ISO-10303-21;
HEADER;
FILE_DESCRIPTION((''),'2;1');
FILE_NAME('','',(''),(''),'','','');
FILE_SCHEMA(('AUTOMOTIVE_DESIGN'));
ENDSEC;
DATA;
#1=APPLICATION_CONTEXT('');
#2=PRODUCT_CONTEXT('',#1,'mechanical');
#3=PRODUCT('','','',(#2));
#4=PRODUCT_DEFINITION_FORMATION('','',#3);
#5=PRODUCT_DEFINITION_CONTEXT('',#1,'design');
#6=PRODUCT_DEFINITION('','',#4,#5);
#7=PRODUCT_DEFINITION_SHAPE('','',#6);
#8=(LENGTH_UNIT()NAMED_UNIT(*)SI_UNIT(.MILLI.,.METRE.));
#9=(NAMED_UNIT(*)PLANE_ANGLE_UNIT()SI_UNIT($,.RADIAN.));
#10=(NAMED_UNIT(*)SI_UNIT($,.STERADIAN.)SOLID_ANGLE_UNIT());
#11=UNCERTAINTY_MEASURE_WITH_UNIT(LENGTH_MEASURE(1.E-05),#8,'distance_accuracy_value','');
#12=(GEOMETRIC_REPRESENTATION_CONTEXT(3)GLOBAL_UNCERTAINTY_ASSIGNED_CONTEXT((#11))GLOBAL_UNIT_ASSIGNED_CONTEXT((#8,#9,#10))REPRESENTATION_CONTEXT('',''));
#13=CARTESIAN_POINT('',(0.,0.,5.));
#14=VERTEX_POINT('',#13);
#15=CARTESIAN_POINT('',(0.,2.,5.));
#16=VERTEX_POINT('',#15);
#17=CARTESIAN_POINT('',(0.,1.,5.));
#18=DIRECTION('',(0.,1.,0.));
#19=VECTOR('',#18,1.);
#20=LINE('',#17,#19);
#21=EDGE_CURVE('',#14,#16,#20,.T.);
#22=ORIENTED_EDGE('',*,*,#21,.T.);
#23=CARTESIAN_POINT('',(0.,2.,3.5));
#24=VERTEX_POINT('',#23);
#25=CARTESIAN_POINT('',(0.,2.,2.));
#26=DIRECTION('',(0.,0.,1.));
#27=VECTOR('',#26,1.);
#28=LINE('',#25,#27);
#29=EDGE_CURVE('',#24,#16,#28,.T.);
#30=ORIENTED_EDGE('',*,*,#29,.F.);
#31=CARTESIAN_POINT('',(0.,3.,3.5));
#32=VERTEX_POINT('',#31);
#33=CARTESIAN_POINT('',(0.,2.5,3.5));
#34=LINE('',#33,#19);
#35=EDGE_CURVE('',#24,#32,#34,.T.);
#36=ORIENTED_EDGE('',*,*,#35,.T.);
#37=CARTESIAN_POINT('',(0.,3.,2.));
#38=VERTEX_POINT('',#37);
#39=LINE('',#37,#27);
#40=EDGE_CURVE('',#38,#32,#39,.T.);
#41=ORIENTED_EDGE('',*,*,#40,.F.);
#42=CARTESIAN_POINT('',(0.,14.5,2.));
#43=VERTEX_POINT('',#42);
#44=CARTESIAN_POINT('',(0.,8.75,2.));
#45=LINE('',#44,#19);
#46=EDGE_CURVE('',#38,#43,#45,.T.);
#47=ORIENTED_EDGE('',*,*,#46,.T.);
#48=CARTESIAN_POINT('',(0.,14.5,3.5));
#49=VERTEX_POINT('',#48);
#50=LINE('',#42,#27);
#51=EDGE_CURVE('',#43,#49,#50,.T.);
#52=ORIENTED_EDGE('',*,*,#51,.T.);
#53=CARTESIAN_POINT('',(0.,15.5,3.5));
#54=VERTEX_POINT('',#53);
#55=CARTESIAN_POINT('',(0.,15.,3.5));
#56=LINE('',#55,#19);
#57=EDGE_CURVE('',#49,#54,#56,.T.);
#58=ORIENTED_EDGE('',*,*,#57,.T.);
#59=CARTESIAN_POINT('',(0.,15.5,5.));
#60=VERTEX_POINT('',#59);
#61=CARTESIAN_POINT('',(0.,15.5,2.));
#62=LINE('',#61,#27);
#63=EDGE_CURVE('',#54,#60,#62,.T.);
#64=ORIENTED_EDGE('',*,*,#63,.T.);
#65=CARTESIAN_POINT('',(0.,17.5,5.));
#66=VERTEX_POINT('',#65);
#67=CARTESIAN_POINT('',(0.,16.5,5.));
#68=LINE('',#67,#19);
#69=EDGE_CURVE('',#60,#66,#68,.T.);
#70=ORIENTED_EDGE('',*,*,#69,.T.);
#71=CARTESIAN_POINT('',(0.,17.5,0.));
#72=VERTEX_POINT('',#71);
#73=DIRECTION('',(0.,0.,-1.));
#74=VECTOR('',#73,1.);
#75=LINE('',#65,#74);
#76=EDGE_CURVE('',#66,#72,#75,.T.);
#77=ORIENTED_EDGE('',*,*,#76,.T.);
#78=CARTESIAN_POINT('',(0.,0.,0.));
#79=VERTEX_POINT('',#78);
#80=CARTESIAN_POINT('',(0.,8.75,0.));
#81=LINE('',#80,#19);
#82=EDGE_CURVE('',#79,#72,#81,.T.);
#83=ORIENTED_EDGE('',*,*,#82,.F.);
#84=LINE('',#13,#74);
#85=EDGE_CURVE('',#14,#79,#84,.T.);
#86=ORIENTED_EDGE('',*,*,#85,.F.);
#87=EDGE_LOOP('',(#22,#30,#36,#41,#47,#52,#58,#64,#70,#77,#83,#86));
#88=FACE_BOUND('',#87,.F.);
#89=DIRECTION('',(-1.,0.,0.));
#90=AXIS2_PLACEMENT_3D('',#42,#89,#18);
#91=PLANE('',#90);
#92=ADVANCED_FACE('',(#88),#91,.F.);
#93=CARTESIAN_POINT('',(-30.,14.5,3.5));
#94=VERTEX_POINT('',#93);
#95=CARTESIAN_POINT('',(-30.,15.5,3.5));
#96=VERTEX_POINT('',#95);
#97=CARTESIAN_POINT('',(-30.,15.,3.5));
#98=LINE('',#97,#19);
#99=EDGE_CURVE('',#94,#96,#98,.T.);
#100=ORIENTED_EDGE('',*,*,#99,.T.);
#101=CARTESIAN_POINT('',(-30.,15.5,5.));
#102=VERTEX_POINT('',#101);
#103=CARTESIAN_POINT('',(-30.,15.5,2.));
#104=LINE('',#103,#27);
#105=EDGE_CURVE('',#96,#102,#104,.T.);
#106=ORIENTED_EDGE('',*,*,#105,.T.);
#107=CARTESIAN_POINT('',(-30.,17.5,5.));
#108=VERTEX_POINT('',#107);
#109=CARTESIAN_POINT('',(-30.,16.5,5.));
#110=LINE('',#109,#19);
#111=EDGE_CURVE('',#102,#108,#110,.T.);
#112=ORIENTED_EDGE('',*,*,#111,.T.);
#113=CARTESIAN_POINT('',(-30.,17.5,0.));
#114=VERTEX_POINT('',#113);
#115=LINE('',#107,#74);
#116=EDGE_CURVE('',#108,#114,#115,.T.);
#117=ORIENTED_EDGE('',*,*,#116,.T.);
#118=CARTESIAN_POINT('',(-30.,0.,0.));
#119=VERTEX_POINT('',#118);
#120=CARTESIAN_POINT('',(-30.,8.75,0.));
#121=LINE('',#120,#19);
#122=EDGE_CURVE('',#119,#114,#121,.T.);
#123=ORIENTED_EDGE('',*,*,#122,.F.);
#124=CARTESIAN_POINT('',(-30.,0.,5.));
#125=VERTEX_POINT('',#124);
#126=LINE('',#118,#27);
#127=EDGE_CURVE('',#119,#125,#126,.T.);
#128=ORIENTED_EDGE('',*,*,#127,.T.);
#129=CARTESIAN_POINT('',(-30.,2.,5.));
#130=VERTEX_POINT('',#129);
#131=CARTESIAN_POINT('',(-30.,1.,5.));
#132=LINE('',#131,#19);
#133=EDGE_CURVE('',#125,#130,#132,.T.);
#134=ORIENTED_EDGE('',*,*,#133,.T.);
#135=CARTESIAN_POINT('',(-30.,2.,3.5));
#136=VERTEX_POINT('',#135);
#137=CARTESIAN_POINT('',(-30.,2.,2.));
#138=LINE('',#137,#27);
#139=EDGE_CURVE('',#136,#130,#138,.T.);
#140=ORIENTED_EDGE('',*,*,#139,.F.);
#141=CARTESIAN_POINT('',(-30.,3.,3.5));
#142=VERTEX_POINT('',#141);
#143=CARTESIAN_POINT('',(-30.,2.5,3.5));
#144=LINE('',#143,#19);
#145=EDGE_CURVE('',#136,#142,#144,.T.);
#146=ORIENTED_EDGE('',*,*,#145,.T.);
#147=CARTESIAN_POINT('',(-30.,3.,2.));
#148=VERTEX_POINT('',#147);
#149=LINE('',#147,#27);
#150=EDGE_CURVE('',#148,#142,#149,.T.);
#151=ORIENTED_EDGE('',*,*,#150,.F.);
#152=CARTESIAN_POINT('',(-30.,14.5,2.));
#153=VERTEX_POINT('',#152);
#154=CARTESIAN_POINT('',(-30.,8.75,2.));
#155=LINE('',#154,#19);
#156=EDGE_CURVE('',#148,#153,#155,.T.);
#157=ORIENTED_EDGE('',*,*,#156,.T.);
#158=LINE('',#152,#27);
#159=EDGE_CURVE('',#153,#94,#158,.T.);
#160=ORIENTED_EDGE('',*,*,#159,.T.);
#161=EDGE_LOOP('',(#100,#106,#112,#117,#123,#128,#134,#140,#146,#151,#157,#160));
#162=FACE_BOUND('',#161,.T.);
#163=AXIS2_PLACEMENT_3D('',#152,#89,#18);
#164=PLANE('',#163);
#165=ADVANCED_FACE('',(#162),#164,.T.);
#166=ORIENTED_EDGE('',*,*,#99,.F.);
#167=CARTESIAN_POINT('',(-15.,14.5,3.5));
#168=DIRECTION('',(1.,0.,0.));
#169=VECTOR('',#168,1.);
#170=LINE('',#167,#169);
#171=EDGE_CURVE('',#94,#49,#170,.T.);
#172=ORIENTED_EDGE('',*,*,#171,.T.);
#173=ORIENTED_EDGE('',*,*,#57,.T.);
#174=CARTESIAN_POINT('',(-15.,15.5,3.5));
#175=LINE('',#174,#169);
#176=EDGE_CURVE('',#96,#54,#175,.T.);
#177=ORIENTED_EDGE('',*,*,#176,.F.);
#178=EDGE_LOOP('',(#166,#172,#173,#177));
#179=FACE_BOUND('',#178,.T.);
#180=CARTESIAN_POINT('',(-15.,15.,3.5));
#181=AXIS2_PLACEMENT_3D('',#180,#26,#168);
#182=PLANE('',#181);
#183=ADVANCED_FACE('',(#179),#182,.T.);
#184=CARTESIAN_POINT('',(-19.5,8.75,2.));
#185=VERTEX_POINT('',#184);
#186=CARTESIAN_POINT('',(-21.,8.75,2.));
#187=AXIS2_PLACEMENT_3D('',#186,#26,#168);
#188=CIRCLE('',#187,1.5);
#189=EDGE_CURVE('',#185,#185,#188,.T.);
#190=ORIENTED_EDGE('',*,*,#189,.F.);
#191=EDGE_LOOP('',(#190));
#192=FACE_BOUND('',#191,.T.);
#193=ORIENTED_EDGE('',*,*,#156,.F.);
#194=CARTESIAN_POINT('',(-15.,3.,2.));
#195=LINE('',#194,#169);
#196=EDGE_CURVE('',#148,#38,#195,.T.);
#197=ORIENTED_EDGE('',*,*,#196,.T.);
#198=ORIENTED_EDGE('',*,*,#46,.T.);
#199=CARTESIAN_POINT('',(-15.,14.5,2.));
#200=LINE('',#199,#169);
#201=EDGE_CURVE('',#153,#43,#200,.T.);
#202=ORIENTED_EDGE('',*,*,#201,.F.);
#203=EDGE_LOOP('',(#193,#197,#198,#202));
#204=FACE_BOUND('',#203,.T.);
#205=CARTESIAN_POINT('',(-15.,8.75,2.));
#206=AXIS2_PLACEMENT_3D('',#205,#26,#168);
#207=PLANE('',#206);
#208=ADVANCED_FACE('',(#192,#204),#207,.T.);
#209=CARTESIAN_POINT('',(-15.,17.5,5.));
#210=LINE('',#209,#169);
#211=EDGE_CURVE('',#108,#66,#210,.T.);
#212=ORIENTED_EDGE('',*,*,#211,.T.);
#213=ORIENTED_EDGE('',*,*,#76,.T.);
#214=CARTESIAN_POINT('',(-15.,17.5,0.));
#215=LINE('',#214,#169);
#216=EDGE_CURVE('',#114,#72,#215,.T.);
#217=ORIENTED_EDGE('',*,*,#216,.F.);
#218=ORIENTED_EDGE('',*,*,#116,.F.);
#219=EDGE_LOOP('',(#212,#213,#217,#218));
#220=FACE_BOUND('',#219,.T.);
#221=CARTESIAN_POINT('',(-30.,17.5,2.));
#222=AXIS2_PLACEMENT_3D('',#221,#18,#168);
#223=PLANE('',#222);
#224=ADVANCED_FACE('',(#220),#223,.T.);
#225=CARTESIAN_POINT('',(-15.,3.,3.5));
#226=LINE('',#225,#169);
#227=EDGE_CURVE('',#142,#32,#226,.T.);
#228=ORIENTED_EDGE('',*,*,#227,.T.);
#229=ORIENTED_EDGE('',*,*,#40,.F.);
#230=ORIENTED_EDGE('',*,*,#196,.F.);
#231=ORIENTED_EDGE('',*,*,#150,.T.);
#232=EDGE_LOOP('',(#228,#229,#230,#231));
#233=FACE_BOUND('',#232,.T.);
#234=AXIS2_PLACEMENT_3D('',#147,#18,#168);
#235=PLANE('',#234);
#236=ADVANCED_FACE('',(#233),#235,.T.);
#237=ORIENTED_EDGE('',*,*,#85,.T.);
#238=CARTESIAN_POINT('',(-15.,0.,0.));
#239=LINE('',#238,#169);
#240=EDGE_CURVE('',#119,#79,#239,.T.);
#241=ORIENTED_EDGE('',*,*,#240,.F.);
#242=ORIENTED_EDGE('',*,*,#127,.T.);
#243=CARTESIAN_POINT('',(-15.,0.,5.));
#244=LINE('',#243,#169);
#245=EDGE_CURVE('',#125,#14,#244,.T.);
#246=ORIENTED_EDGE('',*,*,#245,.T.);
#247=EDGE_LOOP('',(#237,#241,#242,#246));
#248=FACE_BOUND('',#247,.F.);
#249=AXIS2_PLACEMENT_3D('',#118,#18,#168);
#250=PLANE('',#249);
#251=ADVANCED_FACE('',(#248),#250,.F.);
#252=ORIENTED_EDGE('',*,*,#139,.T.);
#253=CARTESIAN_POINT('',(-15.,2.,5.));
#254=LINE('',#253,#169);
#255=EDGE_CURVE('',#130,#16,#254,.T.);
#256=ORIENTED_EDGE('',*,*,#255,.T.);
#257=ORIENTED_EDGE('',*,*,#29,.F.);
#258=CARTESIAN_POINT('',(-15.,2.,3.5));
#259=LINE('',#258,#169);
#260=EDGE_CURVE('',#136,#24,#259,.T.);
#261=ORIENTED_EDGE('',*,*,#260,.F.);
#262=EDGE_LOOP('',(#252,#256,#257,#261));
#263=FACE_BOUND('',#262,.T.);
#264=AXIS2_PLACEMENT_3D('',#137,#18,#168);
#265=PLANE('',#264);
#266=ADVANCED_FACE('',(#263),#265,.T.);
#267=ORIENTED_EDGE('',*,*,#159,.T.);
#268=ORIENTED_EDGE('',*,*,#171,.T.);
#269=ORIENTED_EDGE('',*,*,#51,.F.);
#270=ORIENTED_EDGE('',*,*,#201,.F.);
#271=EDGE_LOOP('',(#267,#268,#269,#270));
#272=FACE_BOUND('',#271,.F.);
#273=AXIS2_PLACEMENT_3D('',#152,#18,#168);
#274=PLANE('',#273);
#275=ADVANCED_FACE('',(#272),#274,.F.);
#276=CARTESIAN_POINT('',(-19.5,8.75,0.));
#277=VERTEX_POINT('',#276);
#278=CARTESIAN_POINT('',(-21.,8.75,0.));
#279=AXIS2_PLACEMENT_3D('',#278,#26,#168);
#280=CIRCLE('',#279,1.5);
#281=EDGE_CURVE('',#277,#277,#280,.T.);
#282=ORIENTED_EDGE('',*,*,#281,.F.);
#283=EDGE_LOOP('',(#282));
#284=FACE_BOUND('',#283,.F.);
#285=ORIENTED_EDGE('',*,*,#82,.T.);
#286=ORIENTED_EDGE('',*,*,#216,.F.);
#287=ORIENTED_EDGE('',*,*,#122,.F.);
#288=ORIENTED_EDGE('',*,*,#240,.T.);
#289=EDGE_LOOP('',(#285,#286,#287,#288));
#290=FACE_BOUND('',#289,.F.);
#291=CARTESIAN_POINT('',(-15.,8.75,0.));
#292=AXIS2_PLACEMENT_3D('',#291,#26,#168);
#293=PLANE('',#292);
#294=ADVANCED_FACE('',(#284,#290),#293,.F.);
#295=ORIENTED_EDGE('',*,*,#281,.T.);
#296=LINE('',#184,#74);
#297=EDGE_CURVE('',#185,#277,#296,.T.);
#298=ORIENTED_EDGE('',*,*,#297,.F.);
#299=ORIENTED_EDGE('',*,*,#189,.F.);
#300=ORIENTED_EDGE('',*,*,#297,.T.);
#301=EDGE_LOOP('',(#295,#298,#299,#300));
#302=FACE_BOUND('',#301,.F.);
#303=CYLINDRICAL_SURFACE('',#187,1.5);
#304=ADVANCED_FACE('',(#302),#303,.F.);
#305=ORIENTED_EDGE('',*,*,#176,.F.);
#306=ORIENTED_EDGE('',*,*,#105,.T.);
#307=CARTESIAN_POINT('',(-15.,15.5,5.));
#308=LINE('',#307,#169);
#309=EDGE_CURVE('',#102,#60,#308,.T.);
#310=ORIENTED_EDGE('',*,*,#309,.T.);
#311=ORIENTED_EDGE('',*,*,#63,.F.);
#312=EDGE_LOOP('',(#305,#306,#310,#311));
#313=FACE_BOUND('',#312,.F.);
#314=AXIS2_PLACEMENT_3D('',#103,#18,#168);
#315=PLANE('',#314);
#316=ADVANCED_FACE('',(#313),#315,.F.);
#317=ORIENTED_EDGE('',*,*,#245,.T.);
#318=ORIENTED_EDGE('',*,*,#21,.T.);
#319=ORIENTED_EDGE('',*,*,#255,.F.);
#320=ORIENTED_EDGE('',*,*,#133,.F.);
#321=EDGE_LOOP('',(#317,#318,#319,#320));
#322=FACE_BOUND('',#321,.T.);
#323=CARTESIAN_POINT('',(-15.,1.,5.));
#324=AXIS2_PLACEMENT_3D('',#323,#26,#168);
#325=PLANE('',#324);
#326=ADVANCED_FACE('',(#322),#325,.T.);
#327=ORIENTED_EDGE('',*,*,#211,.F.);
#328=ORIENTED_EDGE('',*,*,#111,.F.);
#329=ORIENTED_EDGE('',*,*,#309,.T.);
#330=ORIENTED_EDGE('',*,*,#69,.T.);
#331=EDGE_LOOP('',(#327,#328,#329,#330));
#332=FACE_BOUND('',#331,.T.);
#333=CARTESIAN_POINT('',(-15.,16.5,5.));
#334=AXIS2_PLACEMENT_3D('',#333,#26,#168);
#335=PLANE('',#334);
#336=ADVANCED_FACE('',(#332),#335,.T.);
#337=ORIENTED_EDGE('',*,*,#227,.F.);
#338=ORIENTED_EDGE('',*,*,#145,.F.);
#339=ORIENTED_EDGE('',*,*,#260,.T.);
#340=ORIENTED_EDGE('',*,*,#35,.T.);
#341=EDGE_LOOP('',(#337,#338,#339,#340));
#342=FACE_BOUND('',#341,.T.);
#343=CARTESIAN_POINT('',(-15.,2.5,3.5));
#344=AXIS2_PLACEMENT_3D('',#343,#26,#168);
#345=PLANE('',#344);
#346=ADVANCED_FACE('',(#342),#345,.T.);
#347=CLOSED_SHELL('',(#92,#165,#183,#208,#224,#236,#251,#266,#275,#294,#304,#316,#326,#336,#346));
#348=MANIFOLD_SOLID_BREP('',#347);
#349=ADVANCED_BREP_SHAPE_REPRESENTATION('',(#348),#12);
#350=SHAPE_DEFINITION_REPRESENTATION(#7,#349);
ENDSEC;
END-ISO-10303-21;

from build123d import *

# Parameters (mm, degrees)
F0_W     = 30
F0_H     = 17.5
F1_DEPTH = 2
F2_R     = 1.5
F3_DEPTH = 25
F4_W     = 30
F4_H     = 2
F5_DEPTH = 3
F6_W     = 30
F6_H     = 1
F7_DEPTH = 1.5


with BuildPart() as f1:
    # F0 (on Top) → F1 (new body)
    with BuildSketch(Plane.XY):
        with Locations((-15, 8.75)):
            Rectangle(F0_W, F0_H)
    extrude(amount=F1_DEPTH)

    # F2 (on face) → F3 (cut)
    with BuildSketch(Plane.XY.offset(2)):
        with Locations((-21, 8.75)):
            Circle(F2_R)
    extrude(amount=-F3_DEPTH, mode=Mode.SUBTRACT)

    # F4 (on face) → F5 (join)
    with BuildSketch(Plane.XY.offset(2)):
        with Locations((-15, 16.5)):
            Rectangle(F4_W, F4_H)
        with Locations((-15, 1)):
            Rectangle(F4_W, F4_H)
    extrude(amount=F5_DEPTH)

    # F6 (on face) → F7 (join)
    with BuildSketch(Plane.XY.offset(2)):
        with Locations((-15, 15)):
            Rectangle(F6_W, F6_H)
        with Locations((-15, 2.5)):
            Rectangle(F6_W, F6_H)
    extrude(amount=F7_DEPTH)


solid = f1.part
